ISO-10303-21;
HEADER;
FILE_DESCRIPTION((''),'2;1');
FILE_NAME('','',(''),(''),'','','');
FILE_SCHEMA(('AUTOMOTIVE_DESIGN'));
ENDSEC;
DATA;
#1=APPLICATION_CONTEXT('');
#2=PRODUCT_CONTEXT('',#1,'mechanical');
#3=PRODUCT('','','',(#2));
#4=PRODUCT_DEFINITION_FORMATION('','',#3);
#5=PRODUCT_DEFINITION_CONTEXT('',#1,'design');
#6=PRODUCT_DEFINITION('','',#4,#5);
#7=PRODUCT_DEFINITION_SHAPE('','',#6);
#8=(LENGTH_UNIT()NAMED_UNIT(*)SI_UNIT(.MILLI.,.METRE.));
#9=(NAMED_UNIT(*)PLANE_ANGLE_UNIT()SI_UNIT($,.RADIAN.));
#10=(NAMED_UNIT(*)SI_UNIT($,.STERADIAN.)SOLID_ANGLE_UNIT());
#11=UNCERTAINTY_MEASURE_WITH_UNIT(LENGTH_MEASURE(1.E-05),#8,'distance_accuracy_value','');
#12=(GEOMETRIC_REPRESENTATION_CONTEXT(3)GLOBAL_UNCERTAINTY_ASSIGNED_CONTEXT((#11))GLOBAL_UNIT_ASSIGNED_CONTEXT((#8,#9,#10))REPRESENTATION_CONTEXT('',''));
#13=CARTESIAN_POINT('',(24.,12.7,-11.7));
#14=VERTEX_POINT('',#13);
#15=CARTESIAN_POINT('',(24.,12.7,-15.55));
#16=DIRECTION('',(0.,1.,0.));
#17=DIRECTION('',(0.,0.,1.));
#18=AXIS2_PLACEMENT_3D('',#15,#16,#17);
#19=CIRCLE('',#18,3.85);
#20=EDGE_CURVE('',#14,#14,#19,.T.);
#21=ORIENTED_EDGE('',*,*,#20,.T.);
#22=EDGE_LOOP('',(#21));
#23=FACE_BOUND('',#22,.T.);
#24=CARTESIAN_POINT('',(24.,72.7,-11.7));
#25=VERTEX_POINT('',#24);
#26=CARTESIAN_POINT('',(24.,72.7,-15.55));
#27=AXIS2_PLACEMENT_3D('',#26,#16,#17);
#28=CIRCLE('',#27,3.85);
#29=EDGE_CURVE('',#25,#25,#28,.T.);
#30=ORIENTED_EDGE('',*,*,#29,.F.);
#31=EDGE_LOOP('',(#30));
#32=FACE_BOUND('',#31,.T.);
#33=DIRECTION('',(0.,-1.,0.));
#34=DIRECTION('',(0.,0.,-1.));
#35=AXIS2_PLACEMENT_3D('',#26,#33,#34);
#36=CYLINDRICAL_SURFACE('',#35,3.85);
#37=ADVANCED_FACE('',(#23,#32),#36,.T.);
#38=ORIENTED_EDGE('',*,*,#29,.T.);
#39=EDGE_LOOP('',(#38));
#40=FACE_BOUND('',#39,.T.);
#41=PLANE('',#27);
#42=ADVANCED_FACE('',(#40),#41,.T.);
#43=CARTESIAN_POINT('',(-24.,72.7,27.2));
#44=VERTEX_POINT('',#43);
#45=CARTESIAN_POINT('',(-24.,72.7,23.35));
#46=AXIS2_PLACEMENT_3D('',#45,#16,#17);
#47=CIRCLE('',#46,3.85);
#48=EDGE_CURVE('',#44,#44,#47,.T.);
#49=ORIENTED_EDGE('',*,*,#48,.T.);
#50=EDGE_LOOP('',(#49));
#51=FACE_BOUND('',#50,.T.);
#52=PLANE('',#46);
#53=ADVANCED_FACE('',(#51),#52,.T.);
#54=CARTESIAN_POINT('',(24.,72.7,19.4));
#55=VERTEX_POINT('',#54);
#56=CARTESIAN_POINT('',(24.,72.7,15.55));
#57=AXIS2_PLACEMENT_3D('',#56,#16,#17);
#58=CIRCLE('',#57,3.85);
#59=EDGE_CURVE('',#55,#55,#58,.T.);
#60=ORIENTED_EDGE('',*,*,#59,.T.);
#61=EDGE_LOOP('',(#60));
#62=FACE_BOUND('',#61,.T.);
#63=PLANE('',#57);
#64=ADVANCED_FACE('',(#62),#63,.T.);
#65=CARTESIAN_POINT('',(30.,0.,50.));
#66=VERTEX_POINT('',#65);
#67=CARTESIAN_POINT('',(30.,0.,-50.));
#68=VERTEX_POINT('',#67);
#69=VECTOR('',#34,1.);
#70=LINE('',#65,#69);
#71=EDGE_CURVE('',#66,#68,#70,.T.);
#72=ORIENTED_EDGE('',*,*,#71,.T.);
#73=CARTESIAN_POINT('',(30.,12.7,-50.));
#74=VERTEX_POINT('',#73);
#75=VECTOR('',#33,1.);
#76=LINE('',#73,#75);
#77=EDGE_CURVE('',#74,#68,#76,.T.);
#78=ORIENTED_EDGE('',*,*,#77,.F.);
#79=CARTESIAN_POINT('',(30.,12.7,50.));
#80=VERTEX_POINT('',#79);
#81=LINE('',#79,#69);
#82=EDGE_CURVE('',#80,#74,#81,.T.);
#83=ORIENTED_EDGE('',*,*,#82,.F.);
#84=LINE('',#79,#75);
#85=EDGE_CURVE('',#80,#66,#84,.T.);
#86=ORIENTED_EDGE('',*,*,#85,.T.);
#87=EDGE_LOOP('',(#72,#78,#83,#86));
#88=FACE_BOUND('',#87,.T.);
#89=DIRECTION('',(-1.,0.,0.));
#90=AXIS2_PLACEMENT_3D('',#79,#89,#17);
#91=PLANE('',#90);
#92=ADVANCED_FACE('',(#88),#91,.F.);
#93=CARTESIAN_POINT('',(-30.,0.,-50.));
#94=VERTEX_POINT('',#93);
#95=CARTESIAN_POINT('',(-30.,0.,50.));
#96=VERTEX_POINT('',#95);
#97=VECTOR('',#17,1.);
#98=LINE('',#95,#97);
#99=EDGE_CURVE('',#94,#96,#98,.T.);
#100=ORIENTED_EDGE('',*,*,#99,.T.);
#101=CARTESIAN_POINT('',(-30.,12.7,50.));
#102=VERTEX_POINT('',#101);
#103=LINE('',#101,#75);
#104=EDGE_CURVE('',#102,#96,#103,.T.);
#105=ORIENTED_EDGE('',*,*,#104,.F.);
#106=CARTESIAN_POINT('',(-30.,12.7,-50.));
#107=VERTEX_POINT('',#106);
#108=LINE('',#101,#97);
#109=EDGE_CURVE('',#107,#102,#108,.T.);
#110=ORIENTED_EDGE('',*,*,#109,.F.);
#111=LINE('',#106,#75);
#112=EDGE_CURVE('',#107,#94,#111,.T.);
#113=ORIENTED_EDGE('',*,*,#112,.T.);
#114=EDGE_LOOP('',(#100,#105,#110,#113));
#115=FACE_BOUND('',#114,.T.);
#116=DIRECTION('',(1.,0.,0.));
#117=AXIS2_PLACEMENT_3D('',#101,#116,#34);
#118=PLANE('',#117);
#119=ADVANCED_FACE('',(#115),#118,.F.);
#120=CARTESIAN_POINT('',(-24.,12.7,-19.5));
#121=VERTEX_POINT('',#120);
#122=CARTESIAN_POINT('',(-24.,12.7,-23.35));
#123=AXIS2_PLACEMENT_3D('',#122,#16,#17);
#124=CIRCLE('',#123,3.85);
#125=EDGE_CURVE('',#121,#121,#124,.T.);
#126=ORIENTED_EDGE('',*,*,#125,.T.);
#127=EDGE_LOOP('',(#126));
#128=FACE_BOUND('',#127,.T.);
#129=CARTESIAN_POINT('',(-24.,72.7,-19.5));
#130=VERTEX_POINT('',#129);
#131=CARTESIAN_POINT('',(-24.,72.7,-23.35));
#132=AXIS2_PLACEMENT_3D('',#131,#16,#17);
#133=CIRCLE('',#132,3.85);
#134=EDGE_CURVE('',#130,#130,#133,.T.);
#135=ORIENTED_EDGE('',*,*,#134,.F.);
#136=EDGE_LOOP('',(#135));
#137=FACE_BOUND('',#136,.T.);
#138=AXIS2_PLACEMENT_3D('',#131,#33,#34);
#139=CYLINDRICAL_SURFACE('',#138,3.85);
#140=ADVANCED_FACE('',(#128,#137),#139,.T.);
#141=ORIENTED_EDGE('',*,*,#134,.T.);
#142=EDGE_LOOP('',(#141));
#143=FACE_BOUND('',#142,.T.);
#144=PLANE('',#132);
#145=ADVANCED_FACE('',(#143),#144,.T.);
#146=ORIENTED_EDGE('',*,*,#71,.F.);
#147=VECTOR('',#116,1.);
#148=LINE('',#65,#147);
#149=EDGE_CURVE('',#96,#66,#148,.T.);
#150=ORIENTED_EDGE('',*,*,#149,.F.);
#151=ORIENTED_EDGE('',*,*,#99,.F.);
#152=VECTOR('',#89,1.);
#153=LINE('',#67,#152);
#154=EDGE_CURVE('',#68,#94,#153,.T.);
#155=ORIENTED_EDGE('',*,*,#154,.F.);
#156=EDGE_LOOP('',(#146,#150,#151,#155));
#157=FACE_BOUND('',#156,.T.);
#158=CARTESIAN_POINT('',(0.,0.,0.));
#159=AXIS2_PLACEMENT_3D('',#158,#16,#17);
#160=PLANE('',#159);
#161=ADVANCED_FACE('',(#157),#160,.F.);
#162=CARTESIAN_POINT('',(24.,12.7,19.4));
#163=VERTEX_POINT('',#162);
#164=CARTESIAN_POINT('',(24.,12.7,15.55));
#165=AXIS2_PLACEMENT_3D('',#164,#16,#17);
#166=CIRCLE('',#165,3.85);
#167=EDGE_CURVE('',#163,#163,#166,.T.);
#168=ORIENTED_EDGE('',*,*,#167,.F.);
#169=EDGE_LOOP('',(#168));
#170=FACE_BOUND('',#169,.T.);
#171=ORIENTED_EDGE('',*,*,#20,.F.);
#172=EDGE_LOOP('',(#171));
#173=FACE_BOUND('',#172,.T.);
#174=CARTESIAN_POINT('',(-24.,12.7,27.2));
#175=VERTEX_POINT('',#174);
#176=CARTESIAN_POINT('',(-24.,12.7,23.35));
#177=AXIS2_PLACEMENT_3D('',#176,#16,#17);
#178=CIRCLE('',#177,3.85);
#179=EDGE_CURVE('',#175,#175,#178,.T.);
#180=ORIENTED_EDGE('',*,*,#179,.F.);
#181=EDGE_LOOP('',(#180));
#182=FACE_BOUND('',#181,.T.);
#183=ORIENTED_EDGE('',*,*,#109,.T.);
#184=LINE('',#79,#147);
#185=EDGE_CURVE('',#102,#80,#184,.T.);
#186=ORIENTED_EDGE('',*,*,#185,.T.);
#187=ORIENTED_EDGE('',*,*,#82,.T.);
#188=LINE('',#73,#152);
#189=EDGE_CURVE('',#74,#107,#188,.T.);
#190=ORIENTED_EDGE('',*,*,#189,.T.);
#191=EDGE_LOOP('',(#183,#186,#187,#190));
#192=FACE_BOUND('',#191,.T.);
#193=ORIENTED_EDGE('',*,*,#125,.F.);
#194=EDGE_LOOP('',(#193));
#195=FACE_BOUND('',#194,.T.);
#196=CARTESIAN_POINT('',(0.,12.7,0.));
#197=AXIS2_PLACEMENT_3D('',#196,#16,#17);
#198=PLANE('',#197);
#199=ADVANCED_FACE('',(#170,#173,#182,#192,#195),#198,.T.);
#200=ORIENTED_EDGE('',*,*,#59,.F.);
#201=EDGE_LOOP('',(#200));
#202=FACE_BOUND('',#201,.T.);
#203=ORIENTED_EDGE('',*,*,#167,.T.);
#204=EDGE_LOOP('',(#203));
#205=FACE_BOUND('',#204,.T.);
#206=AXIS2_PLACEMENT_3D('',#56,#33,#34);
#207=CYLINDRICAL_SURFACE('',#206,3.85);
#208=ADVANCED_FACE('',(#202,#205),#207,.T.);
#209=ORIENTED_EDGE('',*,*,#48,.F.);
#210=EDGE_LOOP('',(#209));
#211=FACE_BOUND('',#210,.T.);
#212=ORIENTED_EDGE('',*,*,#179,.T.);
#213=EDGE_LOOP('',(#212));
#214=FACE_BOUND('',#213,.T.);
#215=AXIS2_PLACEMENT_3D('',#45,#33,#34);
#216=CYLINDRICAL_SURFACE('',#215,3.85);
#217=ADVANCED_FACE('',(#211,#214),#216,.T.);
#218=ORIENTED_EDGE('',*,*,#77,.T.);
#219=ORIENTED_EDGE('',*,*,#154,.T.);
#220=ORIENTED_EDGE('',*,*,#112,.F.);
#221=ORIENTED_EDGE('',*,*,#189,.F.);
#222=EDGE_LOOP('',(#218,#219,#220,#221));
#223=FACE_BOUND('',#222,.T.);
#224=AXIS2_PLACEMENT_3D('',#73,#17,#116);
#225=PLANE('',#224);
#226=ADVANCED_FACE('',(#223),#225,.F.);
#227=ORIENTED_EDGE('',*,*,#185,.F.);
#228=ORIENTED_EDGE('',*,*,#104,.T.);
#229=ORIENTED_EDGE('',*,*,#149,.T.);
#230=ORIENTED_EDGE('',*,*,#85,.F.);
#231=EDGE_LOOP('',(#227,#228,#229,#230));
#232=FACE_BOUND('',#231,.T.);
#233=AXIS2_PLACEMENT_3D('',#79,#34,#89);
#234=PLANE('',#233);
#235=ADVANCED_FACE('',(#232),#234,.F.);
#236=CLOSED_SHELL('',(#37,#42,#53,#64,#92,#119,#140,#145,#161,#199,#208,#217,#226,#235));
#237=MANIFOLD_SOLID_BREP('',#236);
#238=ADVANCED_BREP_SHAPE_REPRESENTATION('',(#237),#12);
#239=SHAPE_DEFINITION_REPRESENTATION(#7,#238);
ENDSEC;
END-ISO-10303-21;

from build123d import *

# Parameters (mm, degrees)
SKETCH1_W           = 60
SKETCH1_H           = 100
BOSS_EXTRUDE1_DEPTH = 12.7
SKETCH8_R           = 3.85
BOSS_EXTRUDE2_DEPTH = 60


with BuildPart() as part:
    # Sketch1 → Boss-Extrude1 (new body)
    with BuildSketch(Plane(origin=(0, 0, 0), x_dir=(1, 0, 0), z_dir=(0, 1, 0))):
        Rectangle(SKETCH1_W, SKETCH1_H)
    extrude(amount=BOSS_EXTRUDE1_DEPTH)

    # Sketch8 → Boss-Extrude2 (add)
    with BuildSketch(Plane(origin=(0, 12.7, 0), x_dir=(1, 0, 0), z_dir=(0, 1, 0))):
        with Locations((-24, 23.35)):
            Circle(SKETCH8_R)
        with Locations((-24, -23.35)):
            Circle(SKETCH8_R)
        with Locations((24, -15.55)):
            Circle(SKETCH8_R)
        with Locations((24, 15.55)):
            Circle(SKETCH8_R)
    extrude(amount=BOSS_EXTRUDE2_DEPTH)


solid = part.part
